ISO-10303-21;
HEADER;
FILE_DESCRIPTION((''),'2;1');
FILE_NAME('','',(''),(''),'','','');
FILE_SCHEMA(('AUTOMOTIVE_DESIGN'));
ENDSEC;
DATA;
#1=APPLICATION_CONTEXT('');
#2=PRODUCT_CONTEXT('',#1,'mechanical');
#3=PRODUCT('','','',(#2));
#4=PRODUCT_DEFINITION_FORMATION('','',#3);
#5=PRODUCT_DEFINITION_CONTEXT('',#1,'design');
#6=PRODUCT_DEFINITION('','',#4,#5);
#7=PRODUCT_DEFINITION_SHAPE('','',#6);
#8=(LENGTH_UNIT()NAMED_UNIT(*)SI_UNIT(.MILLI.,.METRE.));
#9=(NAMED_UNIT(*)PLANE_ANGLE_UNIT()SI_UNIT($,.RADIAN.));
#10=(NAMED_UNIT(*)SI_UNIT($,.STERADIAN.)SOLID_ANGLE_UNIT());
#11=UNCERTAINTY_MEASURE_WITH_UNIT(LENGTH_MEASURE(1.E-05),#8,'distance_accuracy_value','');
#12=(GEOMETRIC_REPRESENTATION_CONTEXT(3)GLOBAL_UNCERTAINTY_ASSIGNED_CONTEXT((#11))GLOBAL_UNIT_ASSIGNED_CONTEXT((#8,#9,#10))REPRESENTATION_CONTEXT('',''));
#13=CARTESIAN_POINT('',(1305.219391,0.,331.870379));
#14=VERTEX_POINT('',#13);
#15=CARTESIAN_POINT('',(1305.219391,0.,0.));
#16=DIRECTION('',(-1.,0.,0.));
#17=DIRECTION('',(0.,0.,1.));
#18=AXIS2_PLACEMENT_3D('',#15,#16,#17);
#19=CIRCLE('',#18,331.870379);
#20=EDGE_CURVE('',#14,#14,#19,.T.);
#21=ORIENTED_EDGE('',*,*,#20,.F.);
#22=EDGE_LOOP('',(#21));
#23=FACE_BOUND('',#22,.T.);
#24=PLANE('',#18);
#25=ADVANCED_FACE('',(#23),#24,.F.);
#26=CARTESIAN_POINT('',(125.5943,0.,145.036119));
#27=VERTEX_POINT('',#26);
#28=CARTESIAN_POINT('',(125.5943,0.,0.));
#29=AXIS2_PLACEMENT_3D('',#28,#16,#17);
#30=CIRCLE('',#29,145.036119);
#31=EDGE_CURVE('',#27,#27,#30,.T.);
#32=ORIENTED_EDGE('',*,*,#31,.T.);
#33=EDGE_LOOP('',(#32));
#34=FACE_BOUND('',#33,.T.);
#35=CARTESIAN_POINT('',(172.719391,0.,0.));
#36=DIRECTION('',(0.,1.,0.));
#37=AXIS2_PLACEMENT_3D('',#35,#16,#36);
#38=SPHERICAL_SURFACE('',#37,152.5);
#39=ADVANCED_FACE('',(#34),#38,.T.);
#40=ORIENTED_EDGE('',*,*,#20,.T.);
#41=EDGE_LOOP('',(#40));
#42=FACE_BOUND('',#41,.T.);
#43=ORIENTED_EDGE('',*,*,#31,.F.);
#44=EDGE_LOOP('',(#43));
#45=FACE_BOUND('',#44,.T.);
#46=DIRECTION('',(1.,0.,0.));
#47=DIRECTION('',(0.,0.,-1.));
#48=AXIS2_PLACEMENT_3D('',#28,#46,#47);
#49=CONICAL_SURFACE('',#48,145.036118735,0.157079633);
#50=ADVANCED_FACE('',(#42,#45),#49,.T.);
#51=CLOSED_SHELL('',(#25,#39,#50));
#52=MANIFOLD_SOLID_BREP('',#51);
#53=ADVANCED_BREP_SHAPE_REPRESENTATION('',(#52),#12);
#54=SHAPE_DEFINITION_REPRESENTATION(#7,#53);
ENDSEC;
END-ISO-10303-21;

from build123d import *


with BuildPart() as part:
    # Sketch1 → Revolve4 (revolve)
    with BuildSketch(Plane.XY):
        with BuildLine():
            ThreePointArc((20.219391479, 0), (49.344299837, 89.637250975), (125.594299837, 145.036118735))
            Line((125.594299837, 145.036118735), (1305.219391479, 331.870378668))
            Line((1305.219391479, 331.870378668), (1305.219391479, 0))
            Line((1305.219391479, 0), (20.219391479, 0))
        make_face()
    revolve(axis=Axis((20.219391479, 0, 0), (1, 0, 0)))


solid = part.part
